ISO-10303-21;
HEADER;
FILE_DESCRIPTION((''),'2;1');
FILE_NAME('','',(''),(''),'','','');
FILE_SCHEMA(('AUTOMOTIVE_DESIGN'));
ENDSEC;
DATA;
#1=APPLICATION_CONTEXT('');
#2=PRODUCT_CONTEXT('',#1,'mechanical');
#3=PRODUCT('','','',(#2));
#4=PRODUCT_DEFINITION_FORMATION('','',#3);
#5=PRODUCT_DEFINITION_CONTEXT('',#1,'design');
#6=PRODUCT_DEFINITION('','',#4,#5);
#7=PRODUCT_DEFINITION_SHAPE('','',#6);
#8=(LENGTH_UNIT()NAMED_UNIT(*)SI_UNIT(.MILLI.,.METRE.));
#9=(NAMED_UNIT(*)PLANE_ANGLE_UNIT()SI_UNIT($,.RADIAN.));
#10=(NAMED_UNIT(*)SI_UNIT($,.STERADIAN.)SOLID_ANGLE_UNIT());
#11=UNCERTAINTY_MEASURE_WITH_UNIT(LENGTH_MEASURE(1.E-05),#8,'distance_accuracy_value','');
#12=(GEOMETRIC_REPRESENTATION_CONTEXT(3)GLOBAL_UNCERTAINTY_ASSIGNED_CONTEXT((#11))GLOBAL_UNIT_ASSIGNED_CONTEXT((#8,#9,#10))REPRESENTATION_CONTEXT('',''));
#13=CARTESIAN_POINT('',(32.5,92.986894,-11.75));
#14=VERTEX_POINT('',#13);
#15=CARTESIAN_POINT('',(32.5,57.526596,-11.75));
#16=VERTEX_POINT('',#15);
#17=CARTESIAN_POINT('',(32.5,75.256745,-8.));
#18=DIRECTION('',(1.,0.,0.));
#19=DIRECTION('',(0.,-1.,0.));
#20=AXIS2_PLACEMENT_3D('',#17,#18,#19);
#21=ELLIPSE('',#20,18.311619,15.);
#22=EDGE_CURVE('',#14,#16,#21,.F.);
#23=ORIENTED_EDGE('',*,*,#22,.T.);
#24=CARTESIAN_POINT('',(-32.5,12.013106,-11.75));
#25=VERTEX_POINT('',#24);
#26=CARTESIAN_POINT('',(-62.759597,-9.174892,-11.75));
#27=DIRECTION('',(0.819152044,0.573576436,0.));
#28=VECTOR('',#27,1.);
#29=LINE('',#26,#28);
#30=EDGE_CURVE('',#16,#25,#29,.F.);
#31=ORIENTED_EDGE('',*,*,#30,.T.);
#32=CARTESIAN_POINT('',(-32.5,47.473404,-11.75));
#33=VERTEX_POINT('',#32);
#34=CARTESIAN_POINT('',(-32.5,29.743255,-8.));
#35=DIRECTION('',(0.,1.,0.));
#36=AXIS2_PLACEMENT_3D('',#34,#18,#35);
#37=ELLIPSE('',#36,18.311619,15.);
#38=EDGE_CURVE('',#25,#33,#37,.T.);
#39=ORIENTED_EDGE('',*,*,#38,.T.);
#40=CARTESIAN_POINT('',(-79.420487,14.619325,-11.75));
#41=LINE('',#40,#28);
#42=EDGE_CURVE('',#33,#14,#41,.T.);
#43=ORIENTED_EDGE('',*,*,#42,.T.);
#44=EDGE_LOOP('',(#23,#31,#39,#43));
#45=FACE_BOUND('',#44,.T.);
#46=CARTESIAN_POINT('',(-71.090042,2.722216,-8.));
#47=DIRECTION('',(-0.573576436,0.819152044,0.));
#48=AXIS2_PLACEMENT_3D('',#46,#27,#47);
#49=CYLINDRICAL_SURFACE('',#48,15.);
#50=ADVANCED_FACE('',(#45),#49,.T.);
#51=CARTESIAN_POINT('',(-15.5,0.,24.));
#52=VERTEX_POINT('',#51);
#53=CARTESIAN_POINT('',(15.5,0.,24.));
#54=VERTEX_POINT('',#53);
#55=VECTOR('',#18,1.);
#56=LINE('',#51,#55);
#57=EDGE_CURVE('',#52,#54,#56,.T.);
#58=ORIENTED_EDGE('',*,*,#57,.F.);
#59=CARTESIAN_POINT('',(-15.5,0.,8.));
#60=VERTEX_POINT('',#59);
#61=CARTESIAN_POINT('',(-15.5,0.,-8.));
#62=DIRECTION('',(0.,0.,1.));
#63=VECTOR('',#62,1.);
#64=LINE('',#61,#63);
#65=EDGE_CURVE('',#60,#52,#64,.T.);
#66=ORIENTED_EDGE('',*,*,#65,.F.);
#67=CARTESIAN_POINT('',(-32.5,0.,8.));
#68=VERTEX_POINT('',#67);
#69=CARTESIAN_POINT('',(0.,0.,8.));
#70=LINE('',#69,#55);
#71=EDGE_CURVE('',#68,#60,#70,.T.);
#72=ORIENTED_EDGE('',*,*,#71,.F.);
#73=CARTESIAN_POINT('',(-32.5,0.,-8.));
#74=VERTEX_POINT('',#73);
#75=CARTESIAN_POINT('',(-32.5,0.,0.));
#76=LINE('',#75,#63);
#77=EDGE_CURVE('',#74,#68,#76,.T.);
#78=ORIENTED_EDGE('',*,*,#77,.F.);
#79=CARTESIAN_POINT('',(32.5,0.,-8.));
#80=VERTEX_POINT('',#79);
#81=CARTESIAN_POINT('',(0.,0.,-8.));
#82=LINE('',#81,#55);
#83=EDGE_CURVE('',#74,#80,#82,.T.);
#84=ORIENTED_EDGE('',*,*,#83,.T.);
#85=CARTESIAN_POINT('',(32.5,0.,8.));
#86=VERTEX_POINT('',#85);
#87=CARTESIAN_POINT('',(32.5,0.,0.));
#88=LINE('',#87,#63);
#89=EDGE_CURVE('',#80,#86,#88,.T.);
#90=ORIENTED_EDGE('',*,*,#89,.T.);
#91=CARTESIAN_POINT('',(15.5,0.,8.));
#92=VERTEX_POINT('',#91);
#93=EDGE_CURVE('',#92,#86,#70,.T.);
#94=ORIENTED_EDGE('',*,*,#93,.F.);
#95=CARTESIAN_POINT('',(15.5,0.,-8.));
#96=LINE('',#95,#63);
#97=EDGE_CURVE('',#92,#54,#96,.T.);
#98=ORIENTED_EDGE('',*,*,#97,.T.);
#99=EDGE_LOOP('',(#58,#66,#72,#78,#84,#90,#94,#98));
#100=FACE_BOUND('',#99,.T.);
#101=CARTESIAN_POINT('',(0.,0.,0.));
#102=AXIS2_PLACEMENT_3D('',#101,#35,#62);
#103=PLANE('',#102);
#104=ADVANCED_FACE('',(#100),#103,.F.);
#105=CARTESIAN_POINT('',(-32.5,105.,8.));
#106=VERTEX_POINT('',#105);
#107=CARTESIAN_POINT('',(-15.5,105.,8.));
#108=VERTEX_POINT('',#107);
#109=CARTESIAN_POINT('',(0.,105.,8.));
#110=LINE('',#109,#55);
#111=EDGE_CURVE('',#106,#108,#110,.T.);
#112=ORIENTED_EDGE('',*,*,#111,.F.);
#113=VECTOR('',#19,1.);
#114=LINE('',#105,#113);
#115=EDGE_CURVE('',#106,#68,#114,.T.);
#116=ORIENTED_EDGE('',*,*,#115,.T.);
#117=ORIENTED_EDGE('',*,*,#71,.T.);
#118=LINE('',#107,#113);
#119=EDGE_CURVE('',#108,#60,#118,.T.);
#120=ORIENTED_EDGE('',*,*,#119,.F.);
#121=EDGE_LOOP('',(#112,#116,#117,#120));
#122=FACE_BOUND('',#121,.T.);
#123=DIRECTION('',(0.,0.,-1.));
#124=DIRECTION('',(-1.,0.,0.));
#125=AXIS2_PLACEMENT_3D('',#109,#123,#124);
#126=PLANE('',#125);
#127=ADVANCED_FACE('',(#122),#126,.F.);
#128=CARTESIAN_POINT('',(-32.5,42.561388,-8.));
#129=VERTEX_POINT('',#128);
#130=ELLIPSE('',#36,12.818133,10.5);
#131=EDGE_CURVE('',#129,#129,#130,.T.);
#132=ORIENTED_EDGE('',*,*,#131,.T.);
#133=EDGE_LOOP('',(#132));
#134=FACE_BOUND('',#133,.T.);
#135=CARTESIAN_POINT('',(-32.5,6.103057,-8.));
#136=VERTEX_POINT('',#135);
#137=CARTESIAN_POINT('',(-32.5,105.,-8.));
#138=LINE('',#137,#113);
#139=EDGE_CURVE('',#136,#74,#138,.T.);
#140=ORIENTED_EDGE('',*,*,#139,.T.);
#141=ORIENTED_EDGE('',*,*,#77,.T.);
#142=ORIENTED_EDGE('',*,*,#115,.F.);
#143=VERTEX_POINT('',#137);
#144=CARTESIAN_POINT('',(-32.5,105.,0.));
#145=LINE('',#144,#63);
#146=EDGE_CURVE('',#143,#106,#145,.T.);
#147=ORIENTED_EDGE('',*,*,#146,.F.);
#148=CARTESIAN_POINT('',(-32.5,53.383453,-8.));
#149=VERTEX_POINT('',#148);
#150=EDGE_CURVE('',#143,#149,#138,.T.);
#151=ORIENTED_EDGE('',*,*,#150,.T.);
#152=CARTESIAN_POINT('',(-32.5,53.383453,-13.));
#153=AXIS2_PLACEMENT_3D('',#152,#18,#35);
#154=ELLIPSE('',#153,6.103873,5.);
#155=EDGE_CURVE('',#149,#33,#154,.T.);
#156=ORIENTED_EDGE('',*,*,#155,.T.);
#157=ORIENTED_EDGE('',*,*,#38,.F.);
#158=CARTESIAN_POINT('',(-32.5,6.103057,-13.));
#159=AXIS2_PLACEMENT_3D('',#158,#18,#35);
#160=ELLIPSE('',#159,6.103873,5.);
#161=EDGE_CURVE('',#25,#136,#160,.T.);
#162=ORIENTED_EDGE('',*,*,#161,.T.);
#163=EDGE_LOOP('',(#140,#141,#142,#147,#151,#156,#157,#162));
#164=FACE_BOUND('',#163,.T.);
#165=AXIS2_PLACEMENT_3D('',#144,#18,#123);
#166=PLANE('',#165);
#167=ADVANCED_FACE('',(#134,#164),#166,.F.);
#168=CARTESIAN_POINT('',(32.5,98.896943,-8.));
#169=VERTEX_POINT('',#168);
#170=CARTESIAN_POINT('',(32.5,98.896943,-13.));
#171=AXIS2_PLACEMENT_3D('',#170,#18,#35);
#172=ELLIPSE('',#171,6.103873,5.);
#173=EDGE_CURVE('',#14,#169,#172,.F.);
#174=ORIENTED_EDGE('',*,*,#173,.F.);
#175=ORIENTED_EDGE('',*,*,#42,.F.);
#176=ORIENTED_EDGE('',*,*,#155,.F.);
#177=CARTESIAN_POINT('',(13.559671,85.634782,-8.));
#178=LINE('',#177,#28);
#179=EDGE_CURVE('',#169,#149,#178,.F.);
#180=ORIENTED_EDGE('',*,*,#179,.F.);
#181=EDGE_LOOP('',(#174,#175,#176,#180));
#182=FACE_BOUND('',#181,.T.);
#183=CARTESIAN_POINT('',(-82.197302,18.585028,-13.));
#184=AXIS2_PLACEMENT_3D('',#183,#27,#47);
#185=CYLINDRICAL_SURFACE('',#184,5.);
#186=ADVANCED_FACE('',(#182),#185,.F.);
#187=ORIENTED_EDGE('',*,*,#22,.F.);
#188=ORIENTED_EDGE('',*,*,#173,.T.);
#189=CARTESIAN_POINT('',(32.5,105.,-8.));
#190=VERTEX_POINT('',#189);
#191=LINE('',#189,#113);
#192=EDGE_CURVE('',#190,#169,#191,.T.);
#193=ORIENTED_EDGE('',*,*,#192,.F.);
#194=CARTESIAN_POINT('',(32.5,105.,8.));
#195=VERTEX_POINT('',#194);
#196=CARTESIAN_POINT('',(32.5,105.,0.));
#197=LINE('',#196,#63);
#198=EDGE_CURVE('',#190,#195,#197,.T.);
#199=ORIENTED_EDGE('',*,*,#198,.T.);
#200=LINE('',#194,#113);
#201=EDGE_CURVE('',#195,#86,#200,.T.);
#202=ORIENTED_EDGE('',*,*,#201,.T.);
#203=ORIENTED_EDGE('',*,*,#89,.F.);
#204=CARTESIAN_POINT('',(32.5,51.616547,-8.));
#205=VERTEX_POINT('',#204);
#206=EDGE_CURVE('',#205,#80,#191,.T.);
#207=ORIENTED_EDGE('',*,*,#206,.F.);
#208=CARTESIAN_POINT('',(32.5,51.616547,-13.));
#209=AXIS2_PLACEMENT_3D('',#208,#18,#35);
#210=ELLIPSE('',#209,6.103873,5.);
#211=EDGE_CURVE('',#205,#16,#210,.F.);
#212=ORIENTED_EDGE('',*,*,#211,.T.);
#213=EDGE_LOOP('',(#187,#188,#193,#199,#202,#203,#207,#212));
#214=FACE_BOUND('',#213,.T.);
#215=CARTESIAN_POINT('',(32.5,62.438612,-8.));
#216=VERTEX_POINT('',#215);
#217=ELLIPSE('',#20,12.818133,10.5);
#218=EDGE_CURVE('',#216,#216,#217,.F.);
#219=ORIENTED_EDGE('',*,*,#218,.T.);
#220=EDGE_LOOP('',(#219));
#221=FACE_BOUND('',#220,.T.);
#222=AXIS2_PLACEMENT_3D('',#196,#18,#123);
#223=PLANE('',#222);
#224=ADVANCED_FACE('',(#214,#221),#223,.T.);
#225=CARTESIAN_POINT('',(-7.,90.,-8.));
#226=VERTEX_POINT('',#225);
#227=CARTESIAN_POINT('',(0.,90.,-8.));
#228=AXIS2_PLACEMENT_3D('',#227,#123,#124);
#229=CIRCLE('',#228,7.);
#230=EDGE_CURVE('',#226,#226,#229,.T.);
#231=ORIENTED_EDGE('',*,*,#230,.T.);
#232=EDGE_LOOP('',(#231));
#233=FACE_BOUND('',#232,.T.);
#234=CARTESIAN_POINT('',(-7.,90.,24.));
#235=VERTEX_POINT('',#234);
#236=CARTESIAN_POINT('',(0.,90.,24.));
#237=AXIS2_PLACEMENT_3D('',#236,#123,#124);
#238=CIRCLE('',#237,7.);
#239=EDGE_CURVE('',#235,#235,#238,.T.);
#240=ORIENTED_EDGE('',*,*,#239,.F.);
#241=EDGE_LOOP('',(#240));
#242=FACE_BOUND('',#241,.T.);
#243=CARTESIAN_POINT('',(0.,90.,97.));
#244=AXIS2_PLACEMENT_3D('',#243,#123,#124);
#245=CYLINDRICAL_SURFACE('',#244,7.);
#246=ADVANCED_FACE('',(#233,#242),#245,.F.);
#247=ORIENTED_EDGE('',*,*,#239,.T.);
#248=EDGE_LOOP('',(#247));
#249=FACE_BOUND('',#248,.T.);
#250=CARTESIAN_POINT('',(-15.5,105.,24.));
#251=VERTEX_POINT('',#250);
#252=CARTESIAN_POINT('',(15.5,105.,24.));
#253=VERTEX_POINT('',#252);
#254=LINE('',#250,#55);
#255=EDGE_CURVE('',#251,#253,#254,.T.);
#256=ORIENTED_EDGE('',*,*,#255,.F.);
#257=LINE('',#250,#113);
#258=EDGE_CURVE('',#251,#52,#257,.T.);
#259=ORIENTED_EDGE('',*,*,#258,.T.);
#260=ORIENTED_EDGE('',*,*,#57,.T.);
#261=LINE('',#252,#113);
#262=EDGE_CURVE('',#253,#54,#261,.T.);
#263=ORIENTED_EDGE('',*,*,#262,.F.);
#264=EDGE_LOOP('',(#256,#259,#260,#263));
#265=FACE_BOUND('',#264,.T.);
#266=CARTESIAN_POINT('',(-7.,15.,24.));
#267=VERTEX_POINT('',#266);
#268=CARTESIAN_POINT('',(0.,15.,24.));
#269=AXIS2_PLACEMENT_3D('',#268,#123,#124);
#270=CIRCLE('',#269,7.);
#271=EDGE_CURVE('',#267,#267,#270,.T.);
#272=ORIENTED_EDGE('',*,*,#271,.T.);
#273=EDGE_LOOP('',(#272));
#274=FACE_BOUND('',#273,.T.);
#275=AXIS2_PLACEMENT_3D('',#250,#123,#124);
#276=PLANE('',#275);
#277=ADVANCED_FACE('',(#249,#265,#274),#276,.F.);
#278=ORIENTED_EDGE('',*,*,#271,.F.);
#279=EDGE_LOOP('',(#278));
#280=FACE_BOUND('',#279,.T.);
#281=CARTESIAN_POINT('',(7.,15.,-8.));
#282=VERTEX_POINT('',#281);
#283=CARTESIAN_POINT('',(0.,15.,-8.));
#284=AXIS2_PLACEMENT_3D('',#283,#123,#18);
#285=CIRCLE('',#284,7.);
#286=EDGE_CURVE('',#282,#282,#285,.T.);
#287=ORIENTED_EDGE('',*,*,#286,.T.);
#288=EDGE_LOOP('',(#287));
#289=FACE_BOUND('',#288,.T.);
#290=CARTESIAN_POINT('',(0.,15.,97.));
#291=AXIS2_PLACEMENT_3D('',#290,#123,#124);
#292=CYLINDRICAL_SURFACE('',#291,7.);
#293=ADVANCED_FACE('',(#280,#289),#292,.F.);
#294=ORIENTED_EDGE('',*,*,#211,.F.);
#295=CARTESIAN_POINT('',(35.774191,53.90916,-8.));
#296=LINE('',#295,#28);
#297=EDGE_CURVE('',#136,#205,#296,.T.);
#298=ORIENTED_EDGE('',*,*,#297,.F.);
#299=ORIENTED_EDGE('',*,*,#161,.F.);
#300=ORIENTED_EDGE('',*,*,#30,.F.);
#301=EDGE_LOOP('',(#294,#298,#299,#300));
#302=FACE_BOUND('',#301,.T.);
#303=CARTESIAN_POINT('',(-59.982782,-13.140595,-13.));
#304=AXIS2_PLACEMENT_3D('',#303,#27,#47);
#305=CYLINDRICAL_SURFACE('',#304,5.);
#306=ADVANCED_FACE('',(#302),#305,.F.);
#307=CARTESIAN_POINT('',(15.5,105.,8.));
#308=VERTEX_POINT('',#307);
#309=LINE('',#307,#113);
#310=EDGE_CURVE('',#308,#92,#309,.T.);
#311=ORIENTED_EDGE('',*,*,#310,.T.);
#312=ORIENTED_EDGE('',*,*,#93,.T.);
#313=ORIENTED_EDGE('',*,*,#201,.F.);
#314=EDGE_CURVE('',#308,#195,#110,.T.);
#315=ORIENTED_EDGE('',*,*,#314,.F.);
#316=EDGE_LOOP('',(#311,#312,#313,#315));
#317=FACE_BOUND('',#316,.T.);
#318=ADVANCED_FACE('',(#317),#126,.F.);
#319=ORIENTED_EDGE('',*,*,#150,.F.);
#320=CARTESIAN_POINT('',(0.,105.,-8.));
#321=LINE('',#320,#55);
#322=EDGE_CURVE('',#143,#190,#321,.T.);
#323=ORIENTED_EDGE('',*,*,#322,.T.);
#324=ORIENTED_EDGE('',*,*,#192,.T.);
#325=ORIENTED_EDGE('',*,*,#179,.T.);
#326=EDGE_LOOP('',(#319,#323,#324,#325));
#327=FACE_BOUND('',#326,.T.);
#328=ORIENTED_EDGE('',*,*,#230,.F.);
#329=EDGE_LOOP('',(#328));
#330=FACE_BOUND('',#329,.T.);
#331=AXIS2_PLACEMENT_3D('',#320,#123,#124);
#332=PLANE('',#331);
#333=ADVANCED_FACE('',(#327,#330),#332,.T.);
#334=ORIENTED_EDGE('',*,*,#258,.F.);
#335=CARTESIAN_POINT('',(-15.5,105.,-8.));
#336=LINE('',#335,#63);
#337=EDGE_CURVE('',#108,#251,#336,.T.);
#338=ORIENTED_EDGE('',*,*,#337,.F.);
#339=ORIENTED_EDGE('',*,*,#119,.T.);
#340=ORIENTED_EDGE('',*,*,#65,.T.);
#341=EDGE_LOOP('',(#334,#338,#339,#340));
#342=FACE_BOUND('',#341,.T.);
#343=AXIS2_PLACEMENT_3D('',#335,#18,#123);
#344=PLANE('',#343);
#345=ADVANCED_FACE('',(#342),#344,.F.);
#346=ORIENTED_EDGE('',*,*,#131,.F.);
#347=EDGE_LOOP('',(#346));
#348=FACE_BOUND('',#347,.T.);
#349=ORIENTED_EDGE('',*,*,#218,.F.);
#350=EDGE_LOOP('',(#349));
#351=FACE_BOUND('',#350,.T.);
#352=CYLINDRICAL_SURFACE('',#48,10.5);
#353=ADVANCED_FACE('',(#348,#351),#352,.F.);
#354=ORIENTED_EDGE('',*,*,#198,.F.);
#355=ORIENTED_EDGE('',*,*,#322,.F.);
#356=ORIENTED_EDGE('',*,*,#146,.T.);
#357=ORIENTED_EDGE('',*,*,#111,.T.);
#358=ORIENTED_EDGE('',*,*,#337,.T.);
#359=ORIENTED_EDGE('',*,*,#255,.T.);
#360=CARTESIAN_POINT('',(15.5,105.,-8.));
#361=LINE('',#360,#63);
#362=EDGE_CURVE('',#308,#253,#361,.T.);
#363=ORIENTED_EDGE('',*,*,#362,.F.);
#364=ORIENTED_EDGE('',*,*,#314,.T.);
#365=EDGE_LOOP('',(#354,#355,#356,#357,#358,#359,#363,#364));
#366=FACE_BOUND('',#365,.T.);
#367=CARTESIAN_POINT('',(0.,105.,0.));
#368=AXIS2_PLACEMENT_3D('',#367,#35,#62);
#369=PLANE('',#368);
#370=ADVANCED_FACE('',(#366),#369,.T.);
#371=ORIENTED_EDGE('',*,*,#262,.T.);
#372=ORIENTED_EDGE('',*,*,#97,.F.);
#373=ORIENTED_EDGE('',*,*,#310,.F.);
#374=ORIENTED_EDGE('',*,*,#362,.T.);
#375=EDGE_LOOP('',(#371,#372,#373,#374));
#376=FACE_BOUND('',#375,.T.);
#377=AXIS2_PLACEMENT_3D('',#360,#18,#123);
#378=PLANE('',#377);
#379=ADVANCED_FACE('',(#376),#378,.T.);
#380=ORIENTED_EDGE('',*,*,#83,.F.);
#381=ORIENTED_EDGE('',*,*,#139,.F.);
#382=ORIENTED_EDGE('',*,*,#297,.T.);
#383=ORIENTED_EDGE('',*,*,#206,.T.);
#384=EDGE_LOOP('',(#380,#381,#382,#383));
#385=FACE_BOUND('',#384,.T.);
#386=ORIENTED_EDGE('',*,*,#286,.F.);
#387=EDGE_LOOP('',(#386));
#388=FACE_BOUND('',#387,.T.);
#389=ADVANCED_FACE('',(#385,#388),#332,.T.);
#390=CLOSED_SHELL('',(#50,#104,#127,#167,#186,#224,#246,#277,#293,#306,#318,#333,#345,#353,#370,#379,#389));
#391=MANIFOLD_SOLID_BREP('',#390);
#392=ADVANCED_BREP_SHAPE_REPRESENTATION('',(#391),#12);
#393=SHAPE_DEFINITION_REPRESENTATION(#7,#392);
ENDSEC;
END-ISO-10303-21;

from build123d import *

# Parameters (mm, degrees)
SKETCH1_W                       = 65
SKETCH1_H                       = 16
SKETCH1_W_2                     = 31
SKETCH1_H_2                     = 32
BOSS_EXTRUDE1_DEPTH             = 105
SKETCH2_R                       = 7
CUT_EXTRUDE1_DEPTH              = 105
BOSS_EXTRUDE2_REACH             = 62.226
SKETCH8_R                       = 15
SKETCH8_R_2                     = 10.5
BOSS_EXTRUDE2_DIRECTION_2_REACH = 55.245
SKETCH8_2_R                     = 10.5
CUT_EXTRUDE2_DEPTH              = 61.225525817
CUT_EXTRUDE2_DEPTH_BACK         = 54.244882879
FILLET2_R                       = 5


with BuildPart() as part:
    # Sketch1 → Boss-Extrude1 (new body)
    with BuildSketch(Plane(origin=(0, 0, 0), x_dir=(1, 0, 0), z_dir=(0, 1, 0))):
        Rectangle(SKETCH1_W, SKETCH1_H)
        with Locations((0, -8)):
            Rectangle(SKETCH1_W_2, SKETCH1_H_2)
    extrude(amount=BOSS_EXTRUDE1_DEPTH)

    # Sketch2 → Cut-Extrude1 (cut)
    with BuildSketch(Plane(origin=(0, 0, -8), x_dir=(-1, 0, 0), z_dir=(0, 0, -1))):
        with Locations((0, 90)):
            Circle(SKETCH2_R)
        with Locations((0, 15)):
            Circle(SKETCH2_R)
    extrude(amount=-CUT_EXTRUDE1_DEPTH, mode=Mode.SUBTRACT)

    # Boss-Extrude2: up to this face of the body (flat: up to its plane)
    boss_extrude2_end = Plane(part.part.faces().sort_by_distance((-32.5, 52.5, 0))[0])
    # Sketch8 → Boss-Extrude2 (add, up to the picked face)
    with BuildSketch(Plane(origin=(27.526035262, 19.273937388, 0), x_dir=(0, 0, 1), z_dir=(-0.819152044, -0.573576436, 0)), mode=Mode.PRIVATE) as boss_extrude2_sk1:
        with Locations((-8, 43.005482325)):
            Circle(SKETCH8_R)
        with Locations((-8, 43.005482325)):
            Circle(SKETCH8_R_2, mode=Mode.SUBTRACT)
    boss_extrude2_tool1 = split(extrude(boss_extrude2_sk1.sketch, amount=BOSS_EXTRUDE2_REACH, mode=Mode.PRIVATE), bisect_by=boss_extrude2_end, keep=Keep.BOTH, mode=Mode.PRIVATE)
    add(boss_extrude2_tool1.solids().sort_by_distance((2.859104, 54.501966, -22.575736))[0])

    # Boss-Extrude2 direction 2: up to this face of the body (flat: up to its plane)
    boss_extrude2_direction_2_end = Plane(part.part.faces().sort_by_distance((32.5, 52.5, 0))[0])
    # Sketch8 → Boss-Extrude2 direction 2 (add, up to the picked face)
    with BuildSketch(Plane(origin=(27.526035262, 19.273937388, 0), x_dir=(0, 0, 1), z_dir=(-0.819152044, -0.573576436, 0)), mode=Mode.PRIVATE) as boss_extrude2_direction_2_sk1:
        with Locations((-8, 43.005482325)):
            Circle(SKETCH8_R)
        with Locations((-8, 43.005482325)):
            Circle(SKETCH8_R_2, mode=Mode.SUBTRACT)
    boss_extrude2_direction_2_tool1 = split(extrude(boss_extrude2_direction_2_sk1.sketch, amount=-BOSS_EXTRUDE2_DIRECTION_2_REACH, mode=Mode.PRIVATE), bisect_by=boss_extrude2_direction_2_end, keep=Keep.BOTH, mode=Mode.PRIVATE)
    add(boss_extrude2_direction_2_tool1.solids().sort_by_distance((2.859104, 54.501966, -22.575736))[0])

    # Sketch8<2> → Cut-Extrude2 (cut, two sides)
    with BuildSketch(Plane(origin=(27.526035262, 19.273937388, 0), x_dir=(0, 0, 1), z_dir=(-0.819152044, -0.573576436, 0))) as cut_extrude2_sk:
        with Locations((-8, 43.005482325)):
            Circle(SKETCH8_2_R)
    extrude(amount=CUT_EXTRUDE2_DEPTH, mode=Mode.SUBTRACT)
    extrude(cut_extrude2_sk.sketch, amount=-CUT_EXTRUDE2_DEPTH_BACK, mode=Mode.SUBTRACT)

    # Fillet2
    fillet2_edges = [part.edges().sort_by_distance(p)[0] for p in [
        (0, 70.811618831, -8),
        (0, 34.188381169, -8),
    ]]
    fillet(fillet2_edges, radius=FILLET2_R)


solid = part.part
